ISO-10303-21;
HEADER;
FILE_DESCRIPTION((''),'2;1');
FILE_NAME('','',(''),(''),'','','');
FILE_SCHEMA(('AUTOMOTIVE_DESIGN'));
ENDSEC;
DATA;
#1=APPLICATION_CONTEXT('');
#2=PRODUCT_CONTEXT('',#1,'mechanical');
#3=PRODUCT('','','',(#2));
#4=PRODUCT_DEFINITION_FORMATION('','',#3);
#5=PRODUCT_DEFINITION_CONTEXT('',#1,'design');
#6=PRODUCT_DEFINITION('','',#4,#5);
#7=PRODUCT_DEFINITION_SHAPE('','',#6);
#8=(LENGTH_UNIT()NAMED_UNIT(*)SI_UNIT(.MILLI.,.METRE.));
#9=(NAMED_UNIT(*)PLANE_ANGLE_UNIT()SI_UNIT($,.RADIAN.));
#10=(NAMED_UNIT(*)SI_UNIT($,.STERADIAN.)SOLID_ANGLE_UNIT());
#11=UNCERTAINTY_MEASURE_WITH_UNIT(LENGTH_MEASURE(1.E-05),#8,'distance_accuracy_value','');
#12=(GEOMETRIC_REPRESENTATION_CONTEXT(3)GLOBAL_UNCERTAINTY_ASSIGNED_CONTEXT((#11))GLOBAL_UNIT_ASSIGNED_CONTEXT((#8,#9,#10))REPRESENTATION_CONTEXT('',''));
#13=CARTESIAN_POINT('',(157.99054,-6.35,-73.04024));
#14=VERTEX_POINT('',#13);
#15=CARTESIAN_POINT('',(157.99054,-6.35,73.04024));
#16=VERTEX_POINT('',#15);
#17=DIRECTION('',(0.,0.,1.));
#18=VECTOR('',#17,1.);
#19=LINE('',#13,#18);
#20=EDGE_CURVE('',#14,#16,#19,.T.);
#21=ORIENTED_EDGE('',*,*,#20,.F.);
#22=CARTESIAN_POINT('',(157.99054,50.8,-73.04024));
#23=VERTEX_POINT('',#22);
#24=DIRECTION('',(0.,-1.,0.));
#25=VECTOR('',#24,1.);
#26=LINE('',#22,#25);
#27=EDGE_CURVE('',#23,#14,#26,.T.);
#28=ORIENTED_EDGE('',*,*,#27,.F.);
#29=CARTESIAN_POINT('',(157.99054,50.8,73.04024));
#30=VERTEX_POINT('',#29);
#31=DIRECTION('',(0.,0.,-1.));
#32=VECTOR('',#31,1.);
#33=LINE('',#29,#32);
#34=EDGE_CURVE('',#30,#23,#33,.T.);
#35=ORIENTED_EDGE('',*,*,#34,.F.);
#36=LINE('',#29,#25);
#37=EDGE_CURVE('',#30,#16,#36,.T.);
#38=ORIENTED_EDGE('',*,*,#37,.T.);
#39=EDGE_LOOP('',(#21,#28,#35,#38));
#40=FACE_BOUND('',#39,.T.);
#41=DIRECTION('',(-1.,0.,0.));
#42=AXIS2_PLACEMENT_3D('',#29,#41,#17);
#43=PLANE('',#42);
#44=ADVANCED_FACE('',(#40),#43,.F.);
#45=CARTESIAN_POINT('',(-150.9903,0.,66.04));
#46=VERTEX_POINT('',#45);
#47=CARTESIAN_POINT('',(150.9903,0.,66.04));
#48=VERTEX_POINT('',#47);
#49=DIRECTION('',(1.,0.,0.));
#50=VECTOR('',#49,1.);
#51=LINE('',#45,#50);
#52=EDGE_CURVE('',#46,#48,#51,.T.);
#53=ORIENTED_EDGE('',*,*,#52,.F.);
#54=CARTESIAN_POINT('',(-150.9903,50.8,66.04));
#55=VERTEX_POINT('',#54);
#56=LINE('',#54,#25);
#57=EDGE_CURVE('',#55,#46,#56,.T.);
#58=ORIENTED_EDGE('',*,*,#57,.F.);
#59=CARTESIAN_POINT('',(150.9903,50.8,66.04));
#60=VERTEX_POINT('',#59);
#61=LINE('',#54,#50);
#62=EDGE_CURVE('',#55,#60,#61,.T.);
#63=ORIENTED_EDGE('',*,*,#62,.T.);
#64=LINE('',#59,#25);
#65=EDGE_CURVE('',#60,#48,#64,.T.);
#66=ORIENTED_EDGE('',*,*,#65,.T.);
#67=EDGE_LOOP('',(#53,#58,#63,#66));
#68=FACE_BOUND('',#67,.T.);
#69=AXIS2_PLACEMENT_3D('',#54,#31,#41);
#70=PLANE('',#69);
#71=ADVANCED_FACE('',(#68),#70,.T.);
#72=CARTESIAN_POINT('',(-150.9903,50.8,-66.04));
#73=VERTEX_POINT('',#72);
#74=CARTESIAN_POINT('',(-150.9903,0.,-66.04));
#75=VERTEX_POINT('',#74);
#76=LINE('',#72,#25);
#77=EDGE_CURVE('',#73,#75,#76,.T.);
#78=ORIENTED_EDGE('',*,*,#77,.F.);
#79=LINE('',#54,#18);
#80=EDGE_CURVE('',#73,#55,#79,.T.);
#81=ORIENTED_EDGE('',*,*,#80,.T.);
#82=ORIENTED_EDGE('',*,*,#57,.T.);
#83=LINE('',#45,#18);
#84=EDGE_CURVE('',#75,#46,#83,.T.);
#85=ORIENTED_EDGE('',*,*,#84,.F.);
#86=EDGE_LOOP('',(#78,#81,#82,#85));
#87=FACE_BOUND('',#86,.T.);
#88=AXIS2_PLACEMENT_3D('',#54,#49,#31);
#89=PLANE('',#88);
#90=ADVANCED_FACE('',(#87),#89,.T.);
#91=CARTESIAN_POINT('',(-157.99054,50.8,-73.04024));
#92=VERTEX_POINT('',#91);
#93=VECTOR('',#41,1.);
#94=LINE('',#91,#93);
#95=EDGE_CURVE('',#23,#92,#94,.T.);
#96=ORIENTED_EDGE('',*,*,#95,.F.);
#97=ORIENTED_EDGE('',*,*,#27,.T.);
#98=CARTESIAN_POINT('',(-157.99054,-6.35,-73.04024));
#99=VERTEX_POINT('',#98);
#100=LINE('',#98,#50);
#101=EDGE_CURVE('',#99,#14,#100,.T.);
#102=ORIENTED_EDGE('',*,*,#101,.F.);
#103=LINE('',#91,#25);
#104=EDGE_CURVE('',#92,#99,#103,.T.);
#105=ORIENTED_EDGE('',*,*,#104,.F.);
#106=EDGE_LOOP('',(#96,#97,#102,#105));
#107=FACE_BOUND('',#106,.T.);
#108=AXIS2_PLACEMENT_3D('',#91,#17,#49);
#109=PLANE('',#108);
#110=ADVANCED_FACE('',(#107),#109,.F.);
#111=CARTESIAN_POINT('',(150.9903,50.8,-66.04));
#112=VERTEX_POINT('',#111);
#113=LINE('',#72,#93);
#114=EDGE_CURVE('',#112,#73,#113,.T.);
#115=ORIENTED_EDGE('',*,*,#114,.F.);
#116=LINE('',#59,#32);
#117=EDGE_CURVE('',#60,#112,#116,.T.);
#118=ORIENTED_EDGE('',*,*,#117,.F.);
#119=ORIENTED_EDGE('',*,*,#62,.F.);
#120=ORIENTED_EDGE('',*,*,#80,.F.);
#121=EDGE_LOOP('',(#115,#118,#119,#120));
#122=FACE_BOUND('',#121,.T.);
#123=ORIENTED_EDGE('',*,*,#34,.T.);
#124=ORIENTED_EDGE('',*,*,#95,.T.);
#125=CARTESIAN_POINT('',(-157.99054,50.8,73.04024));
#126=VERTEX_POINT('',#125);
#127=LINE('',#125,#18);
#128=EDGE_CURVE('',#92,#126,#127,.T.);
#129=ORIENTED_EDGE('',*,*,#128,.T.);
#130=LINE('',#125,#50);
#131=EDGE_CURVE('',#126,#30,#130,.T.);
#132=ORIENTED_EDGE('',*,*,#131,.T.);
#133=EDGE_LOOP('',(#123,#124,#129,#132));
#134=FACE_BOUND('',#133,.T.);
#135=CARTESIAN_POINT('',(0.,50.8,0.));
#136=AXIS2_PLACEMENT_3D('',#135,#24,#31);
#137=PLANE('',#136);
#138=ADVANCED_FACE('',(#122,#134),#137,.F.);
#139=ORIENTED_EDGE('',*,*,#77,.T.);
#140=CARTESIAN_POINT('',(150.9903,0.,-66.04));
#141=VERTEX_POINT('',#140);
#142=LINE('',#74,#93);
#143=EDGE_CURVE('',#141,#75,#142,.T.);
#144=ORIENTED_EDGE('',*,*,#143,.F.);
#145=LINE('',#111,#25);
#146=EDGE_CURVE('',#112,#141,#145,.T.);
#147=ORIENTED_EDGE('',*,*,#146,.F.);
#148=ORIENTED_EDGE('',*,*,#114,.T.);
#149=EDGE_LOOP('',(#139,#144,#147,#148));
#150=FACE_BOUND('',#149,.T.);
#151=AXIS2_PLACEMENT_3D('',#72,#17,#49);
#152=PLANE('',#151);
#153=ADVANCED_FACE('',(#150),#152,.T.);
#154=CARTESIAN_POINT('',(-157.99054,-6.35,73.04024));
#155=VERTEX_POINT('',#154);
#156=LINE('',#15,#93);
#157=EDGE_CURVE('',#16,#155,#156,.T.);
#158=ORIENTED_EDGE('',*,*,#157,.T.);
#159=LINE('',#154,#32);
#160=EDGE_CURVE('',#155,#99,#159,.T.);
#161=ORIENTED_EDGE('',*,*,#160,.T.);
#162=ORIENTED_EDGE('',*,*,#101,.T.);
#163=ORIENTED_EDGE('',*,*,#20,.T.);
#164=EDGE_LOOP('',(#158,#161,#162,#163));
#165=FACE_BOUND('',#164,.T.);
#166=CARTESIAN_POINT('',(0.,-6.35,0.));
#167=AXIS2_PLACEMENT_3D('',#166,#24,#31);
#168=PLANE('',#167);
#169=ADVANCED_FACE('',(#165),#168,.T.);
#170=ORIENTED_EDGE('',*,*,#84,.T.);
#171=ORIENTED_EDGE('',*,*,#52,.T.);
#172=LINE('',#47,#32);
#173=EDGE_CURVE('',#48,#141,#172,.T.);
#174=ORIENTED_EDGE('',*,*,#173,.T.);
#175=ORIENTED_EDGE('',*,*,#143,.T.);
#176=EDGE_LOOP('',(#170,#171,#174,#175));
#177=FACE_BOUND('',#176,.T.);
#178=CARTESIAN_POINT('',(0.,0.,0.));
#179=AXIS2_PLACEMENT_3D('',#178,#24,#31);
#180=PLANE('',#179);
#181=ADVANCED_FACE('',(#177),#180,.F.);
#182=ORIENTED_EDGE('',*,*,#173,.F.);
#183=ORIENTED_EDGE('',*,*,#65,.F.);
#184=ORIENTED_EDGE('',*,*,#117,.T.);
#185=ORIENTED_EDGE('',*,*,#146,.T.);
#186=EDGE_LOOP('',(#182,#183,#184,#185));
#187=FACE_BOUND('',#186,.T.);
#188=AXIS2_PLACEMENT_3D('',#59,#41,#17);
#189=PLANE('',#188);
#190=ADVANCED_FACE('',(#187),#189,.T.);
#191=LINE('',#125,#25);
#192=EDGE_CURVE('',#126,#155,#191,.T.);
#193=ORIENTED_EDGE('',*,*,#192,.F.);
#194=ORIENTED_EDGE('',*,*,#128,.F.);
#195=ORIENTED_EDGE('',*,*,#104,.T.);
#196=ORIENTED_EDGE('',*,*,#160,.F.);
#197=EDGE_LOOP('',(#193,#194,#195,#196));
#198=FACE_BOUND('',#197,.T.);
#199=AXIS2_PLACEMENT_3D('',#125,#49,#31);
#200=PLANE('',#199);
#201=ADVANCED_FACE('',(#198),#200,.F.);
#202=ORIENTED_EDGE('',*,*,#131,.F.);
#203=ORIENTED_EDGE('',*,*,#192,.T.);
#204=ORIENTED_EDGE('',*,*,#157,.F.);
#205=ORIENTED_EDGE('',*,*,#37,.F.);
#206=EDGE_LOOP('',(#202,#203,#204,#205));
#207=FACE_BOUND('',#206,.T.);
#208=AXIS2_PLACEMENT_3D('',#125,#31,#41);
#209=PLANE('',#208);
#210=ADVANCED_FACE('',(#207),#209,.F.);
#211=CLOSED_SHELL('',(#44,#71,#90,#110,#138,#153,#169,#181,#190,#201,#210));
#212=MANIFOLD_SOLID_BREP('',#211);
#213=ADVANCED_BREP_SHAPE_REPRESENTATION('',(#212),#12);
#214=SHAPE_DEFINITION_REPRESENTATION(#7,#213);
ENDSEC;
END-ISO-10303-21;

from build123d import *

# Parameters (mm, degrees)
SKETCH1_W           = 315.98108
SKETCH1_H           = 146.08048
SKETCH1_W_2         = 301.9806
SKETCH1_H_2         = 132.08
BOSS_EXTRUDE1_DEPTH = 50.8
SKETCH3_W           = 315.98108
SKETCH3_H           = 146.08048
BOSS_EXTRUDE2_DEPTH = 6.35


with BuildPart() as part:
    # Sketch1 → Boss-Extrude1 (new body)
    with BuildSketch(Plane(origin=(0, 0, 0), x_dir=(1, 0, 0), z_dir=(0, 1, 0))):
        Rectangle(SKETCH1_W, SKETCH1_H)
        Rectangle(SKETCH1_W_2, SKETCH1_H_2, mode=Mode.SUBTRACT)
    extrude(amount=BOSS_EXTRUDE1_DEPTH)

    # Sketch3 → Boss-Extrude2 (add)
    with BuildSketch(Plane.XZ):
        Rectangle(SKETCH3_W, SKETCH3_H)
    extrude(amount=BOSS_EXTRUDE2_DEPTH)


solid = part.part
